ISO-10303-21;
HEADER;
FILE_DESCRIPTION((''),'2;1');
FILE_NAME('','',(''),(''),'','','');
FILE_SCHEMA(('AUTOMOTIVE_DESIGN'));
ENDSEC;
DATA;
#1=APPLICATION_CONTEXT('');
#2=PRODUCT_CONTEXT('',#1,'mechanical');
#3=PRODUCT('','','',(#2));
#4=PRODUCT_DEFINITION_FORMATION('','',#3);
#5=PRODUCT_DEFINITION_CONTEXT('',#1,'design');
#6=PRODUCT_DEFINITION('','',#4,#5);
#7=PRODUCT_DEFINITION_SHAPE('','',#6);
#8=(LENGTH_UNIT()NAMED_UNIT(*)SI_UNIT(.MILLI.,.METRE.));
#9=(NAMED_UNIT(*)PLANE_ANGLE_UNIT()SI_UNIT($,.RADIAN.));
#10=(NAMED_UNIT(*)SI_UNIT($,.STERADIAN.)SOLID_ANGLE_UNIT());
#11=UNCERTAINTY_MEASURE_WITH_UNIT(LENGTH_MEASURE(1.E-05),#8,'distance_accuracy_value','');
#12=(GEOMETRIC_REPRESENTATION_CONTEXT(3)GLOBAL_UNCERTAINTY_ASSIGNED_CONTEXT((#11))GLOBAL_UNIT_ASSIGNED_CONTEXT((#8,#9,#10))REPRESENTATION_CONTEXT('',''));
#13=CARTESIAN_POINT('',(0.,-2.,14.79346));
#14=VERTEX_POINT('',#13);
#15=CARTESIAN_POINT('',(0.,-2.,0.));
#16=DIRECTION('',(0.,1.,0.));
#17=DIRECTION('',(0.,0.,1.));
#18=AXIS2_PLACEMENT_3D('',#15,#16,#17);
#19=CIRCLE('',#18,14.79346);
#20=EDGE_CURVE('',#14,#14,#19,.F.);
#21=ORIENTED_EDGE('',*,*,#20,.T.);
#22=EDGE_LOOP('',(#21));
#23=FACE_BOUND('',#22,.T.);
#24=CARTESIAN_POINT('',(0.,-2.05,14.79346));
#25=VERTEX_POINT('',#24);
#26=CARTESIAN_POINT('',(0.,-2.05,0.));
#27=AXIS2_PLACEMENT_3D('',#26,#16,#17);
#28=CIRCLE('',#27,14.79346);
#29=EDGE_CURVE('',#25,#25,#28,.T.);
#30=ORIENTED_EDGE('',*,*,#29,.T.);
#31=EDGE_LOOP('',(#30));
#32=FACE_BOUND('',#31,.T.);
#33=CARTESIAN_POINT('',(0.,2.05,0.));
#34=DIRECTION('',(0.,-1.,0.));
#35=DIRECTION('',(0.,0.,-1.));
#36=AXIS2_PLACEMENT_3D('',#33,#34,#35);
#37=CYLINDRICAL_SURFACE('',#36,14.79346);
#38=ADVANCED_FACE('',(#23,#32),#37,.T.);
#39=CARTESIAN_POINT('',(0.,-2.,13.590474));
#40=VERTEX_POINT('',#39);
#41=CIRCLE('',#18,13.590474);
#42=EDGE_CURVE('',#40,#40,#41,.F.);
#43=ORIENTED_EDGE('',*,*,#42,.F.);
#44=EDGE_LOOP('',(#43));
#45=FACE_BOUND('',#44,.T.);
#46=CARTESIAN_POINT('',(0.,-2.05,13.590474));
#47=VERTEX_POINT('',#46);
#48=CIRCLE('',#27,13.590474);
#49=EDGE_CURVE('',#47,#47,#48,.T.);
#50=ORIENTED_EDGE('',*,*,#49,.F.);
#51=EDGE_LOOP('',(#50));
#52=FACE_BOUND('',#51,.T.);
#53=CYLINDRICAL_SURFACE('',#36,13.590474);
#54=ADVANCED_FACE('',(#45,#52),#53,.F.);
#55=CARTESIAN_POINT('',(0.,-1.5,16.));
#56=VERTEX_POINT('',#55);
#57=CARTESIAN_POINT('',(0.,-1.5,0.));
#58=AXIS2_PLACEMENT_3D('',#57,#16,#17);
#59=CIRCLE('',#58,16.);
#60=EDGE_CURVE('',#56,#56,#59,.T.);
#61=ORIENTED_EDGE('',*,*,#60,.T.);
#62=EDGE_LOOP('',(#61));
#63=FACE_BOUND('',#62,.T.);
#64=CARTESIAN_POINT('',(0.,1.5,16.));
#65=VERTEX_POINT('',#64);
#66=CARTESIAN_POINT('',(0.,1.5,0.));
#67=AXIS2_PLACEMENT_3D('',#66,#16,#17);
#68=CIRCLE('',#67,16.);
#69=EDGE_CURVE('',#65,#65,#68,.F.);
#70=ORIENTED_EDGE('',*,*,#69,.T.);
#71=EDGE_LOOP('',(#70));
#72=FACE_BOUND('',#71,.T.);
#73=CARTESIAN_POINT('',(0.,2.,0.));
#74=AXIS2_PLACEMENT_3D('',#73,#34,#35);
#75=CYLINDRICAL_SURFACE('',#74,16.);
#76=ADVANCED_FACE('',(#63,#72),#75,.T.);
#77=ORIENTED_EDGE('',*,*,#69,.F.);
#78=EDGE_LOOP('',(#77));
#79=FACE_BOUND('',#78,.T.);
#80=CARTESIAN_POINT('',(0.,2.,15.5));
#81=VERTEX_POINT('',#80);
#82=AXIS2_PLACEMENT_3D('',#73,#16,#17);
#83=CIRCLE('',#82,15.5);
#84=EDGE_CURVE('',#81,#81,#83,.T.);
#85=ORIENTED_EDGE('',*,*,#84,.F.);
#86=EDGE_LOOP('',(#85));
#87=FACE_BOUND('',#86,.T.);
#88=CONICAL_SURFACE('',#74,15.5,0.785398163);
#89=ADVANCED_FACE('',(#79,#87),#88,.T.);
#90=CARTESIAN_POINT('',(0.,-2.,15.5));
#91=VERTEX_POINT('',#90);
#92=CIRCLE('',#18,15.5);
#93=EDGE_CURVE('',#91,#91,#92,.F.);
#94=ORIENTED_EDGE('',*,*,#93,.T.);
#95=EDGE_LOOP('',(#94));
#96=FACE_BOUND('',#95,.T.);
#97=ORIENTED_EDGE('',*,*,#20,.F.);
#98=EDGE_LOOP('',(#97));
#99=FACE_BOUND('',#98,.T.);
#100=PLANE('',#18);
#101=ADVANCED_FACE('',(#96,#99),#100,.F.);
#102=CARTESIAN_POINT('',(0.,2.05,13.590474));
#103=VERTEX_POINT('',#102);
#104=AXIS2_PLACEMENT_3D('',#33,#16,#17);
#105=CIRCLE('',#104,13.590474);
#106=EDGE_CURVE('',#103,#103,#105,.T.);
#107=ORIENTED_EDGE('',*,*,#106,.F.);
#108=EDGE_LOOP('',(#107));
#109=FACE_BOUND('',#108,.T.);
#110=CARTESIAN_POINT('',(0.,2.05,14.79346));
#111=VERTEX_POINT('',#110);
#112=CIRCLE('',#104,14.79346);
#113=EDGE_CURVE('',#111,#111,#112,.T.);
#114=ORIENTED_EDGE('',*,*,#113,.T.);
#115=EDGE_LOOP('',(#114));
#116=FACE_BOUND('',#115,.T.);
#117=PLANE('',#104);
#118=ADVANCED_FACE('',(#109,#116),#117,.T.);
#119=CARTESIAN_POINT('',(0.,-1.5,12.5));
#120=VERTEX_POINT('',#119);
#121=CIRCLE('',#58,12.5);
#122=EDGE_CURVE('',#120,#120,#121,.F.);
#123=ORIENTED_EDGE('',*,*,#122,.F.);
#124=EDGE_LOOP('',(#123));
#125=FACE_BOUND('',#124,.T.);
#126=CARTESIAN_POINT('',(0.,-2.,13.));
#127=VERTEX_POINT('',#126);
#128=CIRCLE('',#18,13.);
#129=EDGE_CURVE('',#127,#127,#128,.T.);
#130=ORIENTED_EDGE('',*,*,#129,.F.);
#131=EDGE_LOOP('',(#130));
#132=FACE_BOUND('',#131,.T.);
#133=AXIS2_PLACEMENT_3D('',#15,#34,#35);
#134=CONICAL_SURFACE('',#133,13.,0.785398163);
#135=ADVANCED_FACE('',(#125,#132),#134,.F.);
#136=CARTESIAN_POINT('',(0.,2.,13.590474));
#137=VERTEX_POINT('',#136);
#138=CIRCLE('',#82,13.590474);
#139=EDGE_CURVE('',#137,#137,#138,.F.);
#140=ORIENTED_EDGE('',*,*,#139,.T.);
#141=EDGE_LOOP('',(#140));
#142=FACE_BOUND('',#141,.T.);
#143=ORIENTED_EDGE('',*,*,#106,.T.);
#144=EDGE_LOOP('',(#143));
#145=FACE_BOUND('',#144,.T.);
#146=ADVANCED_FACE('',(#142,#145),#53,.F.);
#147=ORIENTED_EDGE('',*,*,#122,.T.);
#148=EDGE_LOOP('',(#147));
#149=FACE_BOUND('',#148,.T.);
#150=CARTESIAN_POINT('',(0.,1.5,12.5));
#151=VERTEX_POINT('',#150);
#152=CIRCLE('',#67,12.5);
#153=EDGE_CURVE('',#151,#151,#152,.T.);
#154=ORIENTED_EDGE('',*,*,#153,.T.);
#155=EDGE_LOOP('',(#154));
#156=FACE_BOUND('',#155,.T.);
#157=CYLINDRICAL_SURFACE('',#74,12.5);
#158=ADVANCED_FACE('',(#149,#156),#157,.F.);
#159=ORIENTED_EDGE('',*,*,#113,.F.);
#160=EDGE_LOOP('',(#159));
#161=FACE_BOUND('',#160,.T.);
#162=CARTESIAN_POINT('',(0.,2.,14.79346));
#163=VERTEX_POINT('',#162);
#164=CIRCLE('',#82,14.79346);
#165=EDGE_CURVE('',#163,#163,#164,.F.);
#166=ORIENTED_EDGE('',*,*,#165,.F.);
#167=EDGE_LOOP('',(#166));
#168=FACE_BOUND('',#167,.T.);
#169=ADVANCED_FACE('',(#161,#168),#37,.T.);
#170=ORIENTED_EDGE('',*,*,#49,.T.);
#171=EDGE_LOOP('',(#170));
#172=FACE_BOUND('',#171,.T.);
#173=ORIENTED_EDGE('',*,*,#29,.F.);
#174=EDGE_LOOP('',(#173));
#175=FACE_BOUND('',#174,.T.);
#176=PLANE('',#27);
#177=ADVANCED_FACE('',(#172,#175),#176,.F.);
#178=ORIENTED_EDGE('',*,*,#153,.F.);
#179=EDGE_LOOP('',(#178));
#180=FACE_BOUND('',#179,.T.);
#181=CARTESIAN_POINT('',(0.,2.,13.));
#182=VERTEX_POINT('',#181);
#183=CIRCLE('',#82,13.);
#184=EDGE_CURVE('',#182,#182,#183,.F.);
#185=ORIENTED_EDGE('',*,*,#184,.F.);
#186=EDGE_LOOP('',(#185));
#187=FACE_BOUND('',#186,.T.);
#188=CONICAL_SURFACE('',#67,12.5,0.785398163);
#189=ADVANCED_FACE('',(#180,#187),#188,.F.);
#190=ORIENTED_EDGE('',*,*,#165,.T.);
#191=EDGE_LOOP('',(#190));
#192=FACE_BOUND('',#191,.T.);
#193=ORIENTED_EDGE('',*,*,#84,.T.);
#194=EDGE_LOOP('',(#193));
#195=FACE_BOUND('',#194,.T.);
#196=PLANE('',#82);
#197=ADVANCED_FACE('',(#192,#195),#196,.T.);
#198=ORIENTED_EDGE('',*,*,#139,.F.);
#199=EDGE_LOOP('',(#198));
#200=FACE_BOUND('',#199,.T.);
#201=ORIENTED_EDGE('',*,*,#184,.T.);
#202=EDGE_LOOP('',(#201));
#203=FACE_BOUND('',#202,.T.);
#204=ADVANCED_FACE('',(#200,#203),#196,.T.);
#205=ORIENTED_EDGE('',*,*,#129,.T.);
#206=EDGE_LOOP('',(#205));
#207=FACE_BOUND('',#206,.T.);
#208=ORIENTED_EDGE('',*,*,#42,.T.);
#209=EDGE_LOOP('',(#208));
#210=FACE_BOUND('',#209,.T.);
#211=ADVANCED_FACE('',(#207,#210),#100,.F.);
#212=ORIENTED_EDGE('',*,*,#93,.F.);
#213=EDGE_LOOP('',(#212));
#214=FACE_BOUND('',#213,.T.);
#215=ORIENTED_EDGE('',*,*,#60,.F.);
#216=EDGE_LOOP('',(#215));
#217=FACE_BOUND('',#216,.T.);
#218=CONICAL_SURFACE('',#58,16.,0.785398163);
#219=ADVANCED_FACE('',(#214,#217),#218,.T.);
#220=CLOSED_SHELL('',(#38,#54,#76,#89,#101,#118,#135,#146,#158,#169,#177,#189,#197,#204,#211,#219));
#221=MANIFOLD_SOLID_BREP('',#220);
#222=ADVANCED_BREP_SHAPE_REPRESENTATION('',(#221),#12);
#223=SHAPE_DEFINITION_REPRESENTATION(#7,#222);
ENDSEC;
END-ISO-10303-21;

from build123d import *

# Parameters (mm, degrees)
CROQUIS1_R              = 16
CROQUIS1_R_2            = 12.5
SALIENTE_EXTRUIR1_DEPTH = 2
CHAFL_N1_SIZE           = 0.5
CROQUIS2_R              = 14.793460403
CROQUIS2_R_2            = 13.590473759
SALIENTE_EXTRUIR2_DEPTH = 2.05


with BuildPart() as part:
    # Croquis1 → Saliente-Extruir1 (new body, symmetric)
    with BuildSketch(Plane(origin=(0, 0, 0), x_dir=(1, 0, 0), z_dir=(0, 1, 0))):
        Circle(CROQUIS1_R)
        Circle(CROQUIS1_R_2, mode=Mode.SUBTRACT)
    extrude(amount=SALIENTE_EXTRUIR1_DEPTH, both=True)

    # Chaflán1
    chafl_n1_edges = [part.edges().sort_by_distance(p)[0] for p in [
        (-16, -2, 0),
        (-16, 2, 0),
        (-12.5, -2, 0),
        (-12.5, 2, 0),
    ]]
    chamfer(chafl_n1_edges, length=CHAFL_N1_SIZE)

    # Croquis2 → Saliente-Extruir2 (add, symmetric)
    with BuildSketch(Plane(origin=(0, 0, 0), x_dir=(1, 0, 0), z_dir=(0, 1, 0))):
        Circle(CROQUIS2_R)
        Circle(CROQUIS2_R_2, mode=Mode.SUBTRACT)
    extrude(amount=SALIENTE_EXTRUIR2_DEPTH, both=True)


solid = part.part
